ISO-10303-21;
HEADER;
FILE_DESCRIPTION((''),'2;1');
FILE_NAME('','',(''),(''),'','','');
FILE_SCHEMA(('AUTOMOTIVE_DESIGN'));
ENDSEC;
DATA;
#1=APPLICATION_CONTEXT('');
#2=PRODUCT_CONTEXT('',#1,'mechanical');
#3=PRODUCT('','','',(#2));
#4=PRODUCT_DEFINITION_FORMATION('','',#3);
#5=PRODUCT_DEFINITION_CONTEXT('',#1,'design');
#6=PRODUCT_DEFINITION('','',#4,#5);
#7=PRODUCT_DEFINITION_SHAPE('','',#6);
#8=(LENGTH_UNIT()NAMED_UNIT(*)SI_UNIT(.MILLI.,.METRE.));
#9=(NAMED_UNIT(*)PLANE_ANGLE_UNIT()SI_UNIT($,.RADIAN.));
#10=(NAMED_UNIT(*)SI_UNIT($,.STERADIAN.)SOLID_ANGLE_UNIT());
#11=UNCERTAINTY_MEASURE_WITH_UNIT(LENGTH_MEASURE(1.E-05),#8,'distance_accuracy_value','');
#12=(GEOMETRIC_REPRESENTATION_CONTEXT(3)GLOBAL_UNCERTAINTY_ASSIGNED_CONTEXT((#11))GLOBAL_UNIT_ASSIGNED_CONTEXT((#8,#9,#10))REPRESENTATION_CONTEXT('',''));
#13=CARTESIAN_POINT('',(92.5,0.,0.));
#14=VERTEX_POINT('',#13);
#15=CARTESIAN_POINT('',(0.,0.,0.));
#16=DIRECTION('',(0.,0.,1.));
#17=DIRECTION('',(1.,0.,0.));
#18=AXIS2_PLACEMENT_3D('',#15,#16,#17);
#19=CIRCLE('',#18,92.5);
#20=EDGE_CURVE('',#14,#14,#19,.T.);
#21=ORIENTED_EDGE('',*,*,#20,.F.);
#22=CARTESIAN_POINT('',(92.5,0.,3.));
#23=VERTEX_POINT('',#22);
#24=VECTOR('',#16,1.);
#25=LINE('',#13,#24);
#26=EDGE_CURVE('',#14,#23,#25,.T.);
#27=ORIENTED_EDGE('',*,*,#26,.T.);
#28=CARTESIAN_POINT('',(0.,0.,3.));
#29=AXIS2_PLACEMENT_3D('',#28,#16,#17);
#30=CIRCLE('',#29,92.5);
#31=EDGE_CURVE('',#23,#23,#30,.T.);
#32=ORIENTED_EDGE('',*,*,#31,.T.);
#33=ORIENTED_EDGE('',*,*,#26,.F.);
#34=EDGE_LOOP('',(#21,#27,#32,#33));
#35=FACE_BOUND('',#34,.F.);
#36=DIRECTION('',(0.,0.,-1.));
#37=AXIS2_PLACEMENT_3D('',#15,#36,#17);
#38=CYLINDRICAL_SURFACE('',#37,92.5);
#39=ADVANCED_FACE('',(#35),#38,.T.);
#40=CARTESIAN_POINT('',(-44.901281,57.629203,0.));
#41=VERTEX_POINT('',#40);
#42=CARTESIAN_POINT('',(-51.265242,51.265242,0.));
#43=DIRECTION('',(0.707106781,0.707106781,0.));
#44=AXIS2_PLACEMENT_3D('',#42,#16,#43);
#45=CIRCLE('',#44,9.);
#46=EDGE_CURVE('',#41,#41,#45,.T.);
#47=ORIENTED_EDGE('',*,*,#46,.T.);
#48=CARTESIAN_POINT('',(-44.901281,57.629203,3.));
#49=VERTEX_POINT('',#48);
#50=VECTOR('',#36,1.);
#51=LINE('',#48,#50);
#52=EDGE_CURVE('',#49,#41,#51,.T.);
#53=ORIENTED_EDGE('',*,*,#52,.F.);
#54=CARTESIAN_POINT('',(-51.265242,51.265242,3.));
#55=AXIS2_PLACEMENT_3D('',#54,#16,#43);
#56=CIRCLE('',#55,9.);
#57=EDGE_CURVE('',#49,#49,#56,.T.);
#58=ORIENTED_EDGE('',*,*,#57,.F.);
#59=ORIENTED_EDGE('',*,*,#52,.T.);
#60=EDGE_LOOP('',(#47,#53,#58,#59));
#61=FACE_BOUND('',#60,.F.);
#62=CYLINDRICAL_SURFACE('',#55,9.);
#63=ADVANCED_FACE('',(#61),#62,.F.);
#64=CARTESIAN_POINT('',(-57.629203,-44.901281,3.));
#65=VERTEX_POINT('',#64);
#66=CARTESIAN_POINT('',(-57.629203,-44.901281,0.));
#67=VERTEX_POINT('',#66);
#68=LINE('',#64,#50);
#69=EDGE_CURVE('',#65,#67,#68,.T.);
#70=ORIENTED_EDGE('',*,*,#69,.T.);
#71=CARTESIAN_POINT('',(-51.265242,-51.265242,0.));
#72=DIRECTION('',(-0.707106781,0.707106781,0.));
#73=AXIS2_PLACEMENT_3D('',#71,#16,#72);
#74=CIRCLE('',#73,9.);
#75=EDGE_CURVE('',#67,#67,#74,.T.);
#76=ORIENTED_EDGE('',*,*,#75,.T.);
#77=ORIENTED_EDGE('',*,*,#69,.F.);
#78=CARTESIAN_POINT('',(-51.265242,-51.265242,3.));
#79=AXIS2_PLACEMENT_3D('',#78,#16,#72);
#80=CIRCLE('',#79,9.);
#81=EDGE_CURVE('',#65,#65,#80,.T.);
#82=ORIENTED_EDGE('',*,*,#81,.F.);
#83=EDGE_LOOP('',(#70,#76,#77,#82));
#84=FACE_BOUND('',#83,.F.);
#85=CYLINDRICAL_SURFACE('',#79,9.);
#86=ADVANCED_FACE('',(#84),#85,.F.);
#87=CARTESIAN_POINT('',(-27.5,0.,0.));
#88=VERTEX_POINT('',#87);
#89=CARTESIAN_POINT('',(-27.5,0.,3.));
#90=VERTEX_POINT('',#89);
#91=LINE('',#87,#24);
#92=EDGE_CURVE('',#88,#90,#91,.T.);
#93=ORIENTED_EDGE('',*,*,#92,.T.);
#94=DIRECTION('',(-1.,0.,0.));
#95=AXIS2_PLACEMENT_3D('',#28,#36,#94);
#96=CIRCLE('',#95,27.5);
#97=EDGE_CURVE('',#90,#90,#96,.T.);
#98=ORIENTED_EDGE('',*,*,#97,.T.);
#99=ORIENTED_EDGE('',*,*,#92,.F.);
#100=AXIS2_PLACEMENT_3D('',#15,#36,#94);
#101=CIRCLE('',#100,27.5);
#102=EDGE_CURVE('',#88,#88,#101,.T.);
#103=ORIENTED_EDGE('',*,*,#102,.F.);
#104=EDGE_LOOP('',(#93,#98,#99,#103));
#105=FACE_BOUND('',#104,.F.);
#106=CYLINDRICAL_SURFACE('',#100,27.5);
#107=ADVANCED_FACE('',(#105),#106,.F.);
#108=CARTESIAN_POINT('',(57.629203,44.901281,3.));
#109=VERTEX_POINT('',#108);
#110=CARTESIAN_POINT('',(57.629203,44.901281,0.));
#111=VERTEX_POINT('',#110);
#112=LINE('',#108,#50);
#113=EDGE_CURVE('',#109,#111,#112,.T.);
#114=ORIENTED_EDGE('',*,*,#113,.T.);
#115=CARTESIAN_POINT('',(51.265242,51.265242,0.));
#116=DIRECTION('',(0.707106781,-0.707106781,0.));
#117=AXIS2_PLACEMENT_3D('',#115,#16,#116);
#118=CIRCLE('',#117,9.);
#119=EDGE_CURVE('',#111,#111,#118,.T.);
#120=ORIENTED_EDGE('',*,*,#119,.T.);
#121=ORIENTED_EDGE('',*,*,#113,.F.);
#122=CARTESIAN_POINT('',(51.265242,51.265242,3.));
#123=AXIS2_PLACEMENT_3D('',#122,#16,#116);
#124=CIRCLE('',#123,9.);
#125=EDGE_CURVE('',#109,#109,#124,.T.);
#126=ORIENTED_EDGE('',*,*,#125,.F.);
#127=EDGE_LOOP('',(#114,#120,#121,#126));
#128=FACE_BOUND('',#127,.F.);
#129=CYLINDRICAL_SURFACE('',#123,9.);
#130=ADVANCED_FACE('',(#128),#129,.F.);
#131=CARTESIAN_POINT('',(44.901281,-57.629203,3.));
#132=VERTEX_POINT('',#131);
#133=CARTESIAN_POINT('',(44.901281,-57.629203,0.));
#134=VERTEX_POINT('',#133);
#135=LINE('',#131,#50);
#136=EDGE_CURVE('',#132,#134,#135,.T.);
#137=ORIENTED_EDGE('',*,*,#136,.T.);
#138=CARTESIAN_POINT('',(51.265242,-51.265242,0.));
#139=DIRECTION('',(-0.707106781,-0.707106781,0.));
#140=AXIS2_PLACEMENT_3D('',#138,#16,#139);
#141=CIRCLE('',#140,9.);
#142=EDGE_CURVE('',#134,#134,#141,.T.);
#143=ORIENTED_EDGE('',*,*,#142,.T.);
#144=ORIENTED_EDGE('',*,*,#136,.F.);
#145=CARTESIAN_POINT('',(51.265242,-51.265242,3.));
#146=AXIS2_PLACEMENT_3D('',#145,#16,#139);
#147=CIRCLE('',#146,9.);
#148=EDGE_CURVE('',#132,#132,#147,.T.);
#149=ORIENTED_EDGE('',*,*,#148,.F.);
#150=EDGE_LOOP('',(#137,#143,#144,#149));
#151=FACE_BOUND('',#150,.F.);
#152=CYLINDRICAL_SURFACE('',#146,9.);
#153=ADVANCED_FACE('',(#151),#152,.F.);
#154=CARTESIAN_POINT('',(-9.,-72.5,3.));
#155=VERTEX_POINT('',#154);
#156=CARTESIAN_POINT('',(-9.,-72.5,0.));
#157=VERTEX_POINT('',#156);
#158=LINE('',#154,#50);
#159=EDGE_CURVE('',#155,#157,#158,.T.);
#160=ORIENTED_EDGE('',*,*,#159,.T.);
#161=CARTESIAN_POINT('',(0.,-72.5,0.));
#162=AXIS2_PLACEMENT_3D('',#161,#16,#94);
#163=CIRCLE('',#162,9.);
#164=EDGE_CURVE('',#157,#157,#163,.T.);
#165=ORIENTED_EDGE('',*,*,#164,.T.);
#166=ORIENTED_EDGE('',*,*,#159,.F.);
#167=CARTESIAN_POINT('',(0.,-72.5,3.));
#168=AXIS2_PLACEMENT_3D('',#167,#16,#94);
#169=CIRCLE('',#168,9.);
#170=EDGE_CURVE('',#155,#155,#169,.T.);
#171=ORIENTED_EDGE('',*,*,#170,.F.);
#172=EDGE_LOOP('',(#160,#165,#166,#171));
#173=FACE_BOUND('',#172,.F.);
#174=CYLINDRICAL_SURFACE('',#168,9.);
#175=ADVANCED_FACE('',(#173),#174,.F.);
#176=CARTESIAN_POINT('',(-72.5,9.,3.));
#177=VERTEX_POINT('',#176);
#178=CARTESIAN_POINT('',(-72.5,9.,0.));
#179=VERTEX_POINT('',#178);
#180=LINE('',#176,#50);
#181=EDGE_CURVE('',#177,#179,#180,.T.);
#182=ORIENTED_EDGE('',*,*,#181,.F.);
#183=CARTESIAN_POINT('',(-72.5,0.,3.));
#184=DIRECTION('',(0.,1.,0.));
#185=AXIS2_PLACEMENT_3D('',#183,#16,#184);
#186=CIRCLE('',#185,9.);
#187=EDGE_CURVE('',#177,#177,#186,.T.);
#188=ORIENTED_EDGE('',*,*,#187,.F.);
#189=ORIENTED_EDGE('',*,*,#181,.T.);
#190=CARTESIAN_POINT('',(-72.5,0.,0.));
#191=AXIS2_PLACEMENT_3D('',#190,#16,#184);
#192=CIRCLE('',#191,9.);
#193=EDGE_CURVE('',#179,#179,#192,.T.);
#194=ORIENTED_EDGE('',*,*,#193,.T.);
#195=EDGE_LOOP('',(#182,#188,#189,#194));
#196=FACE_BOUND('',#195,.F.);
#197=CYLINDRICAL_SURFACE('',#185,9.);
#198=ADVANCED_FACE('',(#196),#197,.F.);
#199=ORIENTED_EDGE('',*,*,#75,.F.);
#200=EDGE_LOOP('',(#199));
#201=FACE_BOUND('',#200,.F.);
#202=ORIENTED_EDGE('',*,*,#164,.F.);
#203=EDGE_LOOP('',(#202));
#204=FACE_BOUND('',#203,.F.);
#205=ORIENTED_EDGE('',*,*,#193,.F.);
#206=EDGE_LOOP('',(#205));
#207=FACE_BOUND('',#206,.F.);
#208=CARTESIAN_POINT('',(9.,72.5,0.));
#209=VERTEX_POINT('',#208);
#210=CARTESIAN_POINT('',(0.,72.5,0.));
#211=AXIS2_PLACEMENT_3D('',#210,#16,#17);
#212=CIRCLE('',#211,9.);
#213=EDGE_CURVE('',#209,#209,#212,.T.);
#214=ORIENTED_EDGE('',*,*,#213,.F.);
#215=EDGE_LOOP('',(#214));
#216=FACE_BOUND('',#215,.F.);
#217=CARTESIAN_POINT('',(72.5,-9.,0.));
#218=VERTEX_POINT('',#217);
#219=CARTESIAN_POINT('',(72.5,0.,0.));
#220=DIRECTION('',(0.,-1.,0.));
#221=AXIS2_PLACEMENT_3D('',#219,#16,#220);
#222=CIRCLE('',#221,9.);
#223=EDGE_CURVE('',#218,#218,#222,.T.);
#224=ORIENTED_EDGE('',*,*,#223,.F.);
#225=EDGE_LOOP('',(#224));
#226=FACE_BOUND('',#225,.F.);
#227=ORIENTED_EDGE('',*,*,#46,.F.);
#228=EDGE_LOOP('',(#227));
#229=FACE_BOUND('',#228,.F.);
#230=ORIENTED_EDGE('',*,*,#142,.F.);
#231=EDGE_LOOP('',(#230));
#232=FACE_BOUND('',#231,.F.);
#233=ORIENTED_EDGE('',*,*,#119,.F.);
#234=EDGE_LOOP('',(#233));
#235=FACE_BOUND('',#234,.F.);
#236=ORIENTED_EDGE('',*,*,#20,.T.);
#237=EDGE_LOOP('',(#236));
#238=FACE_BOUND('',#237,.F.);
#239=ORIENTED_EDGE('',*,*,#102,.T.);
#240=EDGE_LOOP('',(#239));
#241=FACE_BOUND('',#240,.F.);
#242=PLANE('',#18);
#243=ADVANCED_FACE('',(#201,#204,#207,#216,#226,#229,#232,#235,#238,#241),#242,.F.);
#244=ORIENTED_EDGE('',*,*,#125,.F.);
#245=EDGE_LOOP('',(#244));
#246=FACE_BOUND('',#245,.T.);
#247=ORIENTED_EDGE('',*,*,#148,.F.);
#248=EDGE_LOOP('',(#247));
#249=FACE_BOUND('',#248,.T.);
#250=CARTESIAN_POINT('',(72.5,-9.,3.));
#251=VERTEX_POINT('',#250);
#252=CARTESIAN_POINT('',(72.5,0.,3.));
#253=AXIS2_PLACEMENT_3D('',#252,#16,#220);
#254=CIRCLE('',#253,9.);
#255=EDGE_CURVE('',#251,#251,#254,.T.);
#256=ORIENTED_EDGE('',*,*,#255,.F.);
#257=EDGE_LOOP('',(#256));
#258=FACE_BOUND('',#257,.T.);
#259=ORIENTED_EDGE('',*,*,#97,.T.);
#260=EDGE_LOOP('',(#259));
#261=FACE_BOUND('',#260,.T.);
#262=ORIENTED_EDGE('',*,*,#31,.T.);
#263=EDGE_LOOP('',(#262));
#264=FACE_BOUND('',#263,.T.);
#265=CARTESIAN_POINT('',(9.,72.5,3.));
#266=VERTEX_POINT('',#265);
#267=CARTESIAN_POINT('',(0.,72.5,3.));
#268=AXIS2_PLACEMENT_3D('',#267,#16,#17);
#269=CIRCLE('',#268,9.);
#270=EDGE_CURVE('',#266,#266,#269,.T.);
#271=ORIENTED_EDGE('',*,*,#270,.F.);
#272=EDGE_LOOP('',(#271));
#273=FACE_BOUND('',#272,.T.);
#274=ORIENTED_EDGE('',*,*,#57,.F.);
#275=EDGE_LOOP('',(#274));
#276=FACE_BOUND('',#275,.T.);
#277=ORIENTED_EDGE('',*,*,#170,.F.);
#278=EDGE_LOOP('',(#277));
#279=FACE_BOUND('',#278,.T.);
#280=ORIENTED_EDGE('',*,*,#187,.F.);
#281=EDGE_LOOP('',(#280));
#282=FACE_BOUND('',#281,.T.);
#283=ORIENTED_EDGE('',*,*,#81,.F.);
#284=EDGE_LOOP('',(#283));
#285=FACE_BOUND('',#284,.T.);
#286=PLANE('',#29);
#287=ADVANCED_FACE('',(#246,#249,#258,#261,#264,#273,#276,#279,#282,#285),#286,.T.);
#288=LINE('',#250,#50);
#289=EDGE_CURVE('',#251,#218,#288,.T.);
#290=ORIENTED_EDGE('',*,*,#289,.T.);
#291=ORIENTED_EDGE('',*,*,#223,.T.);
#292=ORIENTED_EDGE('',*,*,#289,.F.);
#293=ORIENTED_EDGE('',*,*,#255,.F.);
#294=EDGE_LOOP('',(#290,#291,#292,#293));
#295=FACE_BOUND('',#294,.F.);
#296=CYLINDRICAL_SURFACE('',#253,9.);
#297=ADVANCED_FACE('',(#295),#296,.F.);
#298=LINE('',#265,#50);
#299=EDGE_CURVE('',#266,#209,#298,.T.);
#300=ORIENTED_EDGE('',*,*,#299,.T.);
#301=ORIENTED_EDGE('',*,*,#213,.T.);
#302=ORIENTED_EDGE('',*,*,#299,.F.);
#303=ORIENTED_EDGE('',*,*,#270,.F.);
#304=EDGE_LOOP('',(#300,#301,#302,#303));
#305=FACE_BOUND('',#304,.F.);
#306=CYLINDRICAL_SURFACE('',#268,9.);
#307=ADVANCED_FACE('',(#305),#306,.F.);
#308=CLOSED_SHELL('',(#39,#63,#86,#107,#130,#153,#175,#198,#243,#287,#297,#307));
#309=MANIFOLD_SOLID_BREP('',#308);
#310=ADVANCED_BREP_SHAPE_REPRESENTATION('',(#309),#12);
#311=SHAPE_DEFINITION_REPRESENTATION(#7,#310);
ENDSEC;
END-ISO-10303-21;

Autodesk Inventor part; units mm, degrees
ref_plane "YZ Plane" through (0, 0, 0) normal (1, 0, 0) x (0, 1, 0)
ref_plane "XZ Plane" through (0, 0, 0) normal (0, 1, 0) x (-1, 0, 0)
ref_plane "XY Plane" through (0, 0, 0) normal (0, 0, 1) x (1, 0, 0)
sketch "Sketch1" plane through (0, 0, 0) normal (0, 0, 1) x (1, 0, 0)
  circle A0 centre (0, 0) radius 92.5
  dimension "d22" = 185
extrude "Plate1" add sketch "Sketch1" along normal blind 3
sketch "Sketch5" plane through (0, 0, 3) normal (0, 0, 1) x (1, 0, 0)
  circle A0 centre (0, 0) radius 92.5 projected
  circle A1 centre (0, 72.5) radius 9
  circle A2 centre (0, 0) radius 72.5 construction
  dimension "d23" = 18
  dimension "d30" = 20
extrude "Cut1" cut sketch "Sketch5" against normal blind 3 contours A1
pattern_circular "Circular Pattern1" count 8 over 360 about axis through (0, 0, 0) along (0, 0, 1) of "Cut1"
sketch "Sketch6" plane through (0, 0, 0) normal (0, 0, -1) x (-1, 0, 0)
  circle A0 centre (0, 0) radius 27.5
  dimension "d31" = 55
extrude "Cut2" cut sketch "Sketch6" against normal blind 3
equation "\"d25\" = Thickness"
equation "\"d32\" = Thickness"
equation "\"d2\" = Thickness"
equation "\"BendReliefWidth\" = Thickness"
equation "\"BendReliefDepth\" = 0.5 * Thickness"
equation "\"CornerReliefSize\" = 4 * Thickness"
equation "\"MinimumRemnant\" = 2 * Thickness"
equation "\"TransitionRadius\" = BendRadius"
equation "\"JacobiRadiusSize\" = BendRadius"
equation "\"GapSize\" = Thickness"
equation "\"Thickness\" = 3"
equation "\"BendRadius\" = 5"
properties part number "MSC 922 plug 76 hole" material "Stainless Steel"
